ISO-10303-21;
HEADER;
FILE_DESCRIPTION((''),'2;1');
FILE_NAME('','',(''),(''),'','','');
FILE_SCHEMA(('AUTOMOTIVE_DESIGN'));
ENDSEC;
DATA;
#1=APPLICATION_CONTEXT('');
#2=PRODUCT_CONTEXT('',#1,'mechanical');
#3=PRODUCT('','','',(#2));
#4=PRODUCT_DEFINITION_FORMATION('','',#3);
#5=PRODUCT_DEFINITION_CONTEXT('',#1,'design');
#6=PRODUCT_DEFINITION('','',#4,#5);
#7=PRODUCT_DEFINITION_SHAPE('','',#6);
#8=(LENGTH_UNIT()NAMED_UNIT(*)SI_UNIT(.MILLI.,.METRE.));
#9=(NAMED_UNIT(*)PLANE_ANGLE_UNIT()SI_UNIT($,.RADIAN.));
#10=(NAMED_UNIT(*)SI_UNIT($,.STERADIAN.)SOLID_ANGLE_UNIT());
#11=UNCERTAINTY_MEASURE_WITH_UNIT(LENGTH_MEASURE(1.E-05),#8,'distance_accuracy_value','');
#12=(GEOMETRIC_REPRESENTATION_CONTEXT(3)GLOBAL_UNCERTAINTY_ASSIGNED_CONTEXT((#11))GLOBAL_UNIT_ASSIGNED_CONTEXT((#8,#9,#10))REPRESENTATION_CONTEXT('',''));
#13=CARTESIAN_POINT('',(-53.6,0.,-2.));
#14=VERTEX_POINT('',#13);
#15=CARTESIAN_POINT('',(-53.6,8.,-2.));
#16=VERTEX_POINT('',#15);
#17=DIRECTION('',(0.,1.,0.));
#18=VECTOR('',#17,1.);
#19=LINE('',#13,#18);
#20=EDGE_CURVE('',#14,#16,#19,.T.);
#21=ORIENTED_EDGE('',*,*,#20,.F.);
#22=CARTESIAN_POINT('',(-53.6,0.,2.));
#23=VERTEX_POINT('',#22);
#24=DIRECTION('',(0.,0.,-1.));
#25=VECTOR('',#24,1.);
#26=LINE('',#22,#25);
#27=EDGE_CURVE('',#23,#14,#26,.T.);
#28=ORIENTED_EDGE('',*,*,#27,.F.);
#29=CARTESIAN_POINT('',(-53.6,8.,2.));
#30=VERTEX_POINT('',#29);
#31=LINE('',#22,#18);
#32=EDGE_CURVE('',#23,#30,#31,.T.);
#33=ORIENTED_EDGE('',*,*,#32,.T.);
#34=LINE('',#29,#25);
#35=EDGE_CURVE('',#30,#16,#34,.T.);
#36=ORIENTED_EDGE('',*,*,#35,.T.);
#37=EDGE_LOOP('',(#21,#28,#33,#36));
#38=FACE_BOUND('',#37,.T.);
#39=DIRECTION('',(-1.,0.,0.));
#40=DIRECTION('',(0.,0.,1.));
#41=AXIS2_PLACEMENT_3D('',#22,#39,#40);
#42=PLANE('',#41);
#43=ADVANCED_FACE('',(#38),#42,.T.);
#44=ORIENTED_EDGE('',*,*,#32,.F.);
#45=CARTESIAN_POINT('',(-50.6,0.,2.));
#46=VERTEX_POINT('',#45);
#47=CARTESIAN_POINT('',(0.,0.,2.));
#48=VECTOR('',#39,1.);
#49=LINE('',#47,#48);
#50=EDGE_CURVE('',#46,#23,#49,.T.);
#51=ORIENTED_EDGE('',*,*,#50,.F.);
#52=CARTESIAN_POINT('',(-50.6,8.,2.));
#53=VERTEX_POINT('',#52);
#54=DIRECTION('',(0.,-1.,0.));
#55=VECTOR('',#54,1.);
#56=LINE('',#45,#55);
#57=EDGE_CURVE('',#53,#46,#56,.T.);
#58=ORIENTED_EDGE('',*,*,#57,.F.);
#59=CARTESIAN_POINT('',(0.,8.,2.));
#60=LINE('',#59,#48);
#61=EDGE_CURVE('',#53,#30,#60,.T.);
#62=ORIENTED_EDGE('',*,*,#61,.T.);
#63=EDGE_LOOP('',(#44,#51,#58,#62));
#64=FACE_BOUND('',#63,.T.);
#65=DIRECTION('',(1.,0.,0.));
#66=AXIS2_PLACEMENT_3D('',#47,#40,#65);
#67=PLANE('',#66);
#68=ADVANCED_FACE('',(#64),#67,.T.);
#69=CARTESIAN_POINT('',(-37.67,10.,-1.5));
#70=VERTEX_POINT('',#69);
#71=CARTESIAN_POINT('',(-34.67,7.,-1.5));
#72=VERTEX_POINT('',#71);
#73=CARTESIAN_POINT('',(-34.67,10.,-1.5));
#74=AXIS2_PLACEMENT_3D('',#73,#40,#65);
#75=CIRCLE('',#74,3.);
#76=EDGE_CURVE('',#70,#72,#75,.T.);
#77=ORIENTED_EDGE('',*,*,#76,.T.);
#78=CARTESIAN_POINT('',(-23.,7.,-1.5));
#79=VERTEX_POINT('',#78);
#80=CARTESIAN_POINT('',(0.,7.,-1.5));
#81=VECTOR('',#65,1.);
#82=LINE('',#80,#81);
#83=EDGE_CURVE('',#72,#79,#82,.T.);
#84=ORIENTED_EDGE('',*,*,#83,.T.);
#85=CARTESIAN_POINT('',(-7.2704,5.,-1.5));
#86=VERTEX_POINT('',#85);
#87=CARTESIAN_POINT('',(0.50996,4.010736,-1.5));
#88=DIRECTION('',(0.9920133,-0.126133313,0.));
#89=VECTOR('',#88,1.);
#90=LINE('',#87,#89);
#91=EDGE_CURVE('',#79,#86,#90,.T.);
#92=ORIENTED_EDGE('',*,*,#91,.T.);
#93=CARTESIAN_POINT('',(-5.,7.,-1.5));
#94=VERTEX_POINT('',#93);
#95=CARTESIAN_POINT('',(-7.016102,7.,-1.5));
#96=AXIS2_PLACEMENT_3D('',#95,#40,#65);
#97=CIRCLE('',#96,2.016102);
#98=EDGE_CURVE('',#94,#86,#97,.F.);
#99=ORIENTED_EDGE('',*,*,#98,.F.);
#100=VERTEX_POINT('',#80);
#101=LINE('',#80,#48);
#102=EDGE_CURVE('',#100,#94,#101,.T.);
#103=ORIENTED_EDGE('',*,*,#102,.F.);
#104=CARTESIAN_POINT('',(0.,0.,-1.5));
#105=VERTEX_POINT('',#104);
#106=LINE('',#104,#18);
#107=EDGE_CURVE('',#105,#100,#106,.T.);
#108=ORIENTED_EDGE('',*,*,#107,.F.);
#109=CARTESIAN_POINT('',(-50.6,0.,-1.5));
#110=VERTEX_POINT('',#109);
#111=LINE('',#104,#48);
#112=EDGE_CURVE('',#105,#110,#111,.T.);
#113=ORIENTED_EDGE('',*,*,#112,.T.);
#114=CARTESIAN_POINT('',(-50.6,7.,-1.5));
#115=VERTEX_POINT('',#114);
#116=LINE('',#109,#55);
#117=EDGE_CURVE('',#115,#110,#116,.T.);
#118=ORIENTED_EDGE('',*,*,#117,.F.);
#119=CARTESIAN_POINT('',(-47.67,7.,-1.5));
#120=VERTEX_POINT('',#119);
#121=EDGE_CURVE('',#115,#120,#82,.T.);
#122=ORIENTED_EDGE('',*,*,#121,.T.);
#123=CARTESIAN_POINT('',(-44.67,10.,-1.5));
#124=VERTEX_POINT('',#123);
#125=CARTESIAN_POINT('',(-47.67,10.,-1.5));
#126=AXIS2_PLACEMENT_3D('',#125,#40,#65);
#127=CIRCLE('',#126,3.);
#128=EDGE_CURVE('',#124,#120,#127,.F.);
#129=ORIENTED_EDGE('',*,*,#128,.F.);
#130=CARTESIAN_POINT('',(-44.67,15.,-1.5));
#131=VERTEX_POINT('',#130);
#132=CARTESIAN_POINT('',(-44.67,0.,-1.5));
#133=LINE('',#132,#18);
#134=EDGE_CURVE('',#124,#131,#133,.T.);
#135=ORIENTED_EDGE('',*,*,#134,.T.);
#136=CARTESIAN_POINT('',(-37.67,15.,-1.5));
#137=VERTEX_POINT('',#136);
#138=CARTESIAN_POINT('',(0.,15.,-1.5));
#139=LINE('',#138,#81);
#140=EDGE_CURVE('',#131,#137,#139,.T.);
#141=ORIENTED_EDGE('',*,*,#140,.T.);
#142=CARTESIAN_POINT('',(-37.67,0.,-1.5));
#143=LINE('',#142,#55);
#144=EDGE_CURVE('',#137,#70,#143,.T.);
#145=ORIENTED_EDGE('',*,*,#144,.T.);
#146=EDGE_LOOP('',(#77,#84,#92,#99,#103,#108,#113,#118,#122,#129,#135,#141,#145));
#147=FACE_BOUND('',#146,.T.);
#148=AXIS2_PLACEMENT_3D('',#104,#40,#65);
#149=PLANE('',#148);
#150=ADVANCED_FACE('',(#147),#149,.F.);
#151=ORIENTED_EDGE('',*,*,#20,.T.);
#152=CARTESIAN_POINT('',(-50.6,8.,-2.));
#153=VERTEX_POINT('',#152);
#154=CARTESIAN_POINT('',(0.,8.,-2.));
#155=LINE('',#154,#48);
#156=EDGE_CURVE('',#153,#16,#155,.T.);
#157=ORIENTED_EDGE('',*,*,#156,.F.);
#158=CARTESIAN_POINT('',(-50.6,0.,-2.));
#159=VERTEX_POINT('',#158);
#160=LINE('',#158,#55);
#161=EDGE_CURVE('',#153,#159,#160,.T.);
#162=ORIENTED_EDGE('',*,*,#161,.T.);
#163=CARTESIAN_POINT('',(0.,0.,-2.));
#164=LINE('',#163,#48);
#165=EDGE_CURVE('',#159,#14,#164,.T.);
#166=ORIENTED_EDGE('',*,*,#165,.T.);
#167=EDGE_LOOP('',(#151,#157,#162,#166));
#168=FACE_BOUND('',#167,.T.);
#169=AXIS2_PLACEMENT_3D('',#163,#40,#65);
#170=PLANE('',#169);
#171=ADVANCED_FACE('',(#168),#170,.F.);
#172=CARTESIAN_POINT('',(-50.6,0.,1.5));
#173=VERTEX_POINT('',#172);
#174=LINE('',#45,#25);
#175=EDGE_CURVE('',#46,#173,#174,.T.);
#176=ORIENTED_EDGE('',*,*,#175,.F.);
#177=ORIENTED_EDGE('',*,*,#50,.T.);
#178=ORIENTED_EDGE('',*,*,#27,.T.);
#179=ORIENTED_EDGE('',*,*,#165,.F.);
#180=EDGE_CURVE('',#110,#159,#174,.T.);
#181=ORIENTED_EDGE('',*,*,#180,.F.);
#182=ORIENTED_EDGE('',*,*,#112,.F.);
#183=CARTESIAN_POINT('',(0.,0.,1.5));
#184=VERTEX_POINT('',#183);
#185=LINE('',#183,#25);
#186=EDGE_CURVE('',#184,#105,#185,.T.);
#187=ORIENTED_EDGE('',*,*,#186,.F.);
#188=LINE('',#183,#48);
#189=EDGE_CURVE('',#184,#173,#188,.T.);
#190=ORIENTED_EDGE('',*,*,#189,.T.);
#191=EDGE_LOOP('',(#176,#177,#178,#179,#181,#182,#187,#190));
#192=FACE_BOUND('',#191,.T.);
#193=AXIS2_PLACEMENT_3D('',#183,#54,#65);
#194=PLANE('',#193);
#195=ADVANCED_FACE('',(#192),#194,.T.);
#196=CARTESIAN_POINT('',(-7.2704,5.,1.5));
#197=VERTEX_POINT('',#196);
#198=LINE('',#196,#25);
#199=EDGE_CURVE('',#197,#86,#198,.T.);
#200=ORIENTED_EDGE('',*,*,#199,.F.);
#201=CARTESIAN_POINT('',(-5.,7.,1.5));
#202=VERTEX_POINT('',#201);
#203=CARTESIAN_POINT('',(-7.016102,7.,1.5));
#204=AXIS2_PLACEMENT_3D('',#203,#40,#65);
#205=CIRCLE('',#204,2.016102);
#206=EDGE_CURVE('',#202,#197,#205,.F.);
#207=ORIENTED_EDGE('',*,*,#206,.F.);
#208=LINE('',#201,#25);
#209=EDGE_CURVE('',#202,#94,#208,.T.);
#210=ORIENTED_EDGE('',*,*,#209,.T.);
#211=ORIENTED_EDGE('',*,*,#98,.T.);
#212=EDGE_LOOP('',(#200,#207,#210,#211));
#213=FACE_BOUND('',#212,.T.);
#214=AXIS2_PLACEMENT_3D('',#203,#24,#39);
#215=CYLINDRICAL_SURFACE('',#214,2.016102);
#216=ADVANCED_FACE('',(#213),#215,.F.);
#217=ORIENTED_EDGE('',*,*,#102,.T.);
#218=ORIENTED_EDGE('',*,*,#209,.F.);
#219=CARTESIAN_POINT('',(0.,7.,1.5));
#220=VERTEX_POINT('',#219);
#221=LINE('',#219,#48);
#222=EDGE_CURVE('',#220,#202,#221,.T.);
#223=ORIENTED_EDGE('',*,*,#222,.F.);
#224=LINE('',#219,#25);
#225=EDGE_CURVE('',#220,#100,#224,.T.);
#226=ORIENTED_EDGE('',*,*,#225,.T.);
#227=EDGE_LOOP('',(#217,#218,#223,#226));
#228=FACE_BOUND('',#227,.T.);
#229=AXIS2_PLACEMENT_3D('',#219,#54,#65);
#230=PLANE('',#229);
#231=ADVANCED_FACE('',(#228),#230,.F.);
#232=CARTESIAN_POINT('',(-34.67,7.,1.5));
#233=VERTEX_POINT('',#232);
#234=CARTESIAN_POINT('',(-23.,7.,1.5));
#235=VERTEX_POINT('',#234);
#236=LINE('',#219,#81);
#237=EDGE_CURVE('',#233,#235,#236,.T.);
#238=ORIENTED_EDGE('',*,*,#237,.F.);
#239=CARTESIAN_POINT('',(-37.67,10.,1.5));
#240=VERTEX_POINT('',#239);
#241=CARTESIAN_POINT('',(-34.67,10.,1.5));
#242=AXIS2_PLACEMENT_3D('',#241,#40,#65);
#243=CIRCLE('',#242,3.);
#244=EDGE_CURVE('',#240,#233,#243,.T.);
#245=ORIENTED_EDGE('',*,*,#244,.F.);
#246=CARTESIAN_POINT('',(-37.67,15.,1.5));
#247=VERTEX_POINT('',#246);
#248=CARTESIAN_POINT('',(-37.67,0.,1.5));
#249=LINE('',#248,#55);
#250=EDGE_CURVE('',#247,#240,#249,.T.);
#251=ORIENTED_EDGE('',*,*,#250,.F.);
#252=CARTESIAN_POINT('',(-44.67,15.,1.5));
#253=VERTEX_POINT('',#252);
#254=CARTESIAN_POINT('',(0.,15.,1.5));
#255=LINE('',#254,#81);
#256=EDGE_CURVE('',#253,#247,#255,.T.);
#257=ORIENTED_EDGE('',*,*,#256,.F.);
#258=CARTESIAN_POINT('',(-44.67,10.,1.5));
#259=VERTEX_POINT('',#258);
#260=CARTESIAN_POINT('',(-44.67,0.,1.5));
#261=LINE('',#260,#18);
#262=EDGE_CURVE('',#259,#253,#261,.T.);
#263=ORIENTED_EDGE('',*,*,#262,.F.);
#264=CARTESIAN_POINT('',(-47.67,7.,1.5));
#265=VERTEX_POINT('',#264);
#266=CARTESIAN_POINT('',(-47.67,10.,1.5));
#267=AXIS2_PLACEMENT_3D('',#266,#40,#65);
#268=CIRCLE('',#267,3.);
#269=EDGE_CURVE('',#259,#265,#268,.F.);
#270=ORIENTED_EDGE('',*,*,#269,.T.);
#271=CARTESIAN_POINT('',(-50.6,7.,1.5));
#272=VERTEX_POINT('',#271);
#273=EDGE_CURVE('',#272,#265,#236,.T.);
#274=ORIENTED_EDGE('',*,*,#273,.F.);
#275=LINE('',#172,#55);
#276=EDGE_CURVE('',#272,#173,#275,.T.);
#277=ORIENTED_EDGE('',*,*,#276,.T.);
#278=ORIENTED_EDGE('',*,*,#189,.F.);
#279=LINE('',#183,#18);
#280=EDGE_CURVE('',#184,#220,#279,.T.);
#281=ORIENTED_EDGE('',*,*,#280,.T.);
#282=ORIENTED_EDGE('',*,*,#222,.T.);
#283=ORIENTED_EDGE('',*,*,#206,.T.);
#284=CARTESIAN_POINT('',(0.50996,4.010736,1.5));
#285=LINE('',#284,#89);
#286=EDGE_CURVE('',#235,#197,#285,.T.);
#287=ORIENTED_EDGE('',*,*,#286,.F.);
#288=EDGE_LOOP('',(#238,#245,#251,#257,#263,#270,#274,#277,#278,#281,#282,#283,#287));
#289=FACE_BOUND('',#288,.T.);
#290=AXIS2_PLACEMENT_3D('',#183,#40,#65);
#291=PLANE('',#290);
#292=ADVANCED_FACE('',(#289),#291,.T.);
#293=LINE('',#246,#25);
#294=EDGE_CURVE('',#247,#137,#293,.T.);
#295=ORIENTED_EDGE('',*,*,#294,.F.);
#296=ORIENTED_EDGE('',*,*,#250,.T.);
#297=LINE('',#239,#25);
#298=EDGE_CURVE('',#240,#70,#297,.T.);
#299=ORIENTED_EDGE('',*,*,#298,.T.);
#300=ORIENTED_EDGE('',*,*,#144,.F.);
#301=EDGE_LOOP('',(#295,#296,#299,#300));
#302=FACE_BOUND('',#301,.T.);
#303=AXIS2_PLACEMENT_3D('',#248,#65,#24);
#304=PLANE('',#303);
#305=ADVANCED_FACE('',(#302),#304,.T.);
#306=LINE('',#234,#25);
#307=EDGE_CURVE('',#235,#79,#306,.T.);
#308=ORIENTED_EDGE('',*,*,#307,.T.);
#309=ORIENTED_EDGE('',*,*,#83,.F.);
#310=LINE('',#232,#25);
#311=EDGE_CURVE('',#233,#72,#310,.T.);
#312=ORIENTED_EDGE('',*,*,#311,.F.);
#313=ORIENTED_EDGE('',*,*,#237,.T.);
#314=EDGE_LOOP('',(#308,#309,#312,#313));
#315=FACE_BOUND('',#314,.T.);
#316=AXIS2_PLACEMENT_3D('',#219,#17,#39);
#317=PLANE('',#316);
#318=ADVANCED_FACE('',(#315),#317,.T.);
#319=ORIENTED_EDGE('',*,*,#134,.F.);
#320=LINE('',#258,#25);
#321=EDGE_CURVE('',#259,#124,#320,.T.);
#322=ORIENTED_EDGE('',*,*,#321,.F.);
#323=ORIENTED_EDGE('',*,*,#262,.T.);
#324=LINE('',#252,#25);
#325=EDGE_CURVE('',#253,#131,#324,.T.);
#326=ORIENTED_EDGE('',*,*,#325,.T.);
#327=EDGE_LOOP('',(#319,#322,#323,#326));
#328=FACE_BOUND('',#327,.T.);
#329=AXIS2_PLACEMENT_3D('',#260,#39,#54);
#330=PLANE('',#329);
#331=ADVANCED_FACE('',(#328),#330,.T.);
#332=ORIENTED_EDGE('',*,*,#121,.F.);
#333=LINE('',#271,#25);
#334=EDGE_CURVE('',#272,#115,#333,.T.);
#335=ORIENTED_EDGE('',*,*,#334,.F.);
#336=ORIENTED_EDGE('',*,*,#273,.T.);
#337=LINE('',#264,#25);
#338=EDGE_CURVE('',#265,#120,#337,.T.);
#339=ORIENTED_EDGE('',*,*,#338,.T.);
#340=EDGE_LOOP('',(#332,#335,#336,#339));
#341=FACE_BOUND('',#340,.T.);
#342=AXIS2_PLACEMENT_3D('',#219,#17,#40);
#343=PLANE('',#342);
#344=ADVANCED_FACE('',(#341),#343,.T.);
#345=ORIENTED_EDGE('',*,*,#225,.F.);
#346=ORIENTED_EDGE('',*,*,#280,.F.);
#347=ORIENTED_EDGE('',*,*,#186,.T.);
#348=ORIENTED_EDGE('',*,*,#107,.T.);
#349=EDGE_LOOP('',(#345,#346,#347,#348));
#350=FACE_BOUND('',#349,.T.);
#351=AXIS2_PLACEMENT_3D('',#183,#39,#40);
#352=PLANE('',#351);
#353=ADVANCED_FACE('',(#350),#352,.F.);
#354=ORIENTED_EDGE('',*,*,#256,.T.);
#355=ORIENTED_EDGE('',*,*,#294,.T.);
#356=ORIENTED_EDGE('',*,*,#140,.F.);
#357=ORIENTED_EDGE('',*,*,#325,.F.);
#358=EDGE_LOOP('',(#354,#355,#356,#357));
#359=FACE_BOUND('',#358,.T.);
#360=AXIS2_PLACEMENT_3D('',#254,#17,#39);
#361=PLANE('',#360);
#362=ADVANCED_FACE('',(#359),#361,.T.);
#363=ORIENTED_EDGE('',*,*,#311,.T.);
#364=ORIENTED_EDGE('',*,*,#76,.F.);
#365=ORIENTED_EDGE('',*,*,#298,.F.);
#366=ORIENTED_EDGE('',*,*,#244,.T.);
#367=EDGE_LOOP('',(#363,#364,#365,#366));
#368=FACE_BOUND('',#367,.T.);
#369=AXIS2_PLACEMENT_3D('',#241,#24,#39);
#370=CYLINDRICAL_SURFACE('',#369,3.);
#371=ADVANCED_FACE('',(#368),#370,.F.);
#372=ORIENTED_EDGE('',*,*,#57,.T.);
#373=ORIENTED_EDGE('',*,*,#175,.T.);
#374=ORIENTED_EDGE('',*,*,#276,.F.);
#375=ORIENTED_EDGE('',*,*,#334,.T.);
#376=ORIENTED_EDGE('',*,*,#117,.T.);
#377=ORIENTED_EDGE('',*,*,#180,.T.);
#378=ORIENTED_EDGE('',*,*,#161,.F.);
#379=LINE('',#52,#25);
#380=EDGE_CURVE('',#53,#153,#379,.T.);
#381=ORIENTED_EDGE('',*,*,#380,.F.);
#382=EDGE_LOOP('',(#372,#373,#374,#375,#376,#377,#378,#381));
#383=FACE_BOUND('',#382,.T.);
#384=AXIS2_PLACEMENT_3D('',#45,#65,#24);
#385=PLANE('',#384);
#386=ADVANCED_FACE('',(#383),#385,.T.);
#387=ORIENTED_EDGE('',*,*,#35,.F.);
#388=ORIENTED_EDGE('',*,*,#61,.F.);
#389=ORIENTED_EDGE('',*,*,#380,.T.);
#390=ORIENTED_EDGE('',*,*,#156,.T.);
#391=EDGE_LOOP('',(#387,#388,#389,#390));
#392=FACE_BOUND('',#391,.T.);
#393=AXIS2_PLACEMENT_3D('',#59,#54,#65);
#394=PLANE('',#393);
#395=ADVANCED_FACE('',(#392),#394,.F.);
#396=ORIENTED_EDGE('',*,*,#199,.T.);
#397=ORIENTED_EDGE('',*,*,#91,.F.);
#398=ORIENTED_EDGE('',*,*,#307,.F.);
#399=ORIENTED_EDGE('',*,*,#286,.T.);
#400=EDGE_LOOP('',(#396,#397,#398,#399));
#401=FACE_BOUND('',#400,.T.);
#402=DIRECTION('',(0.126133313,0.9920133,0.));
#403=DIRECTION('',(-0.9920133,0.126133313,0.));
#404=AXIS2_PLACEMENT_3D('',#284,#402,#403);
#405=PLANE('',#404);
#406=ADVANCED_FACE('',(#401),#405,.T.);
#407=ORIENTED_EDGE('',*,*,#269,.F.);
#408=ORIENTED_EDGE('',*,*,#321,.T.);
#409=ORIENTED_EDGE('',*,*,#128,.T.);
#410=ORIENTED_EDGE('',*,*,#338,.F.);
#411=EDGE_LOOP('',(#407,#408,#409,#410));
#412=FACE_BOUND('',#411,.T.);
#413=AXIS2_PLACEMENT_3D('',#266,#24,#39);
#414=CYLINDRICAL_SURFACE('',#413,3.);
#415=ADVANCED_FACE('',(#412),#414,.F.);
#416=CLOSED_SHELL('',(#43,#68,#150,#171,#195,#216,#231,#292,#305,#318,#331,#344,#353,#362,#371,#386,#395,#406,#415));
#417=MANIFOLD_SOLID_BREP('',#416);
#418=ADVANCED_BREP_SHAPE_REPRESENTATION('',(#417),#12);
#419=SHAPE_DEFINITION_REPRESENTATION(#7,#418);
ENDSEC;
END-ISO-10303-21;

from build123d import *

# Parameters (mm, degrees)
BOSS_EXTRUDE1_DEPTH = 1.5
BOSS_EXTRUDE2_DEPTH = 2


with BuildPart() as part:
    # Sketch1 → Boss-Extrude1 (new, symmetric)
    with BuildSketch(Plane.XY):
        with BuildLine():
            Line((0, 7), (-5, 7))
            ThreePointArc((-5, 7), (-5.683439754, 5.487162066), (-7.270399626, 5))
            Line((-7.270399626, 5), (-23, 7))
            Line((-23, 7), (-34.67, 7))
            ThreePointArc((-34.67, 7), (-36.791320344, 7.878679656), (-37.67, 10))
            Line((-37.67, 10), (-37.67, 15))
            Line((-37.67, 15), (-44.67, 15))
            Line((-44.67, 15), (-44.67, 10))
            ThreePointArc((-44.67, 10), (-45.548679656, 7.878679656), (-47.67, 7))
            Line((-47.67, 7), (-50.6, 7))
            Line((-50.6, 7), (-50.6, 0))
            Line((-50.6, 0), (0, 0))
            Line((0, 0), (0, 7))
        make_face()
    extrude(amount=BOSS_EXTRUDE1_DEPTH, both=True)

    # Sketch1<6> → Boss-Extrude2 (add, symmetric)
    with BuildSketch(Plane.XY):
        Polygon((-53.6, 0), (-50.6, 0), (-50.6, 7), (-50.6, 8), (-53.6, 8), align=None)
    extrude(amount=BOSS_EXTRUDE2_DEPTH, both=True)


solid = part.part
